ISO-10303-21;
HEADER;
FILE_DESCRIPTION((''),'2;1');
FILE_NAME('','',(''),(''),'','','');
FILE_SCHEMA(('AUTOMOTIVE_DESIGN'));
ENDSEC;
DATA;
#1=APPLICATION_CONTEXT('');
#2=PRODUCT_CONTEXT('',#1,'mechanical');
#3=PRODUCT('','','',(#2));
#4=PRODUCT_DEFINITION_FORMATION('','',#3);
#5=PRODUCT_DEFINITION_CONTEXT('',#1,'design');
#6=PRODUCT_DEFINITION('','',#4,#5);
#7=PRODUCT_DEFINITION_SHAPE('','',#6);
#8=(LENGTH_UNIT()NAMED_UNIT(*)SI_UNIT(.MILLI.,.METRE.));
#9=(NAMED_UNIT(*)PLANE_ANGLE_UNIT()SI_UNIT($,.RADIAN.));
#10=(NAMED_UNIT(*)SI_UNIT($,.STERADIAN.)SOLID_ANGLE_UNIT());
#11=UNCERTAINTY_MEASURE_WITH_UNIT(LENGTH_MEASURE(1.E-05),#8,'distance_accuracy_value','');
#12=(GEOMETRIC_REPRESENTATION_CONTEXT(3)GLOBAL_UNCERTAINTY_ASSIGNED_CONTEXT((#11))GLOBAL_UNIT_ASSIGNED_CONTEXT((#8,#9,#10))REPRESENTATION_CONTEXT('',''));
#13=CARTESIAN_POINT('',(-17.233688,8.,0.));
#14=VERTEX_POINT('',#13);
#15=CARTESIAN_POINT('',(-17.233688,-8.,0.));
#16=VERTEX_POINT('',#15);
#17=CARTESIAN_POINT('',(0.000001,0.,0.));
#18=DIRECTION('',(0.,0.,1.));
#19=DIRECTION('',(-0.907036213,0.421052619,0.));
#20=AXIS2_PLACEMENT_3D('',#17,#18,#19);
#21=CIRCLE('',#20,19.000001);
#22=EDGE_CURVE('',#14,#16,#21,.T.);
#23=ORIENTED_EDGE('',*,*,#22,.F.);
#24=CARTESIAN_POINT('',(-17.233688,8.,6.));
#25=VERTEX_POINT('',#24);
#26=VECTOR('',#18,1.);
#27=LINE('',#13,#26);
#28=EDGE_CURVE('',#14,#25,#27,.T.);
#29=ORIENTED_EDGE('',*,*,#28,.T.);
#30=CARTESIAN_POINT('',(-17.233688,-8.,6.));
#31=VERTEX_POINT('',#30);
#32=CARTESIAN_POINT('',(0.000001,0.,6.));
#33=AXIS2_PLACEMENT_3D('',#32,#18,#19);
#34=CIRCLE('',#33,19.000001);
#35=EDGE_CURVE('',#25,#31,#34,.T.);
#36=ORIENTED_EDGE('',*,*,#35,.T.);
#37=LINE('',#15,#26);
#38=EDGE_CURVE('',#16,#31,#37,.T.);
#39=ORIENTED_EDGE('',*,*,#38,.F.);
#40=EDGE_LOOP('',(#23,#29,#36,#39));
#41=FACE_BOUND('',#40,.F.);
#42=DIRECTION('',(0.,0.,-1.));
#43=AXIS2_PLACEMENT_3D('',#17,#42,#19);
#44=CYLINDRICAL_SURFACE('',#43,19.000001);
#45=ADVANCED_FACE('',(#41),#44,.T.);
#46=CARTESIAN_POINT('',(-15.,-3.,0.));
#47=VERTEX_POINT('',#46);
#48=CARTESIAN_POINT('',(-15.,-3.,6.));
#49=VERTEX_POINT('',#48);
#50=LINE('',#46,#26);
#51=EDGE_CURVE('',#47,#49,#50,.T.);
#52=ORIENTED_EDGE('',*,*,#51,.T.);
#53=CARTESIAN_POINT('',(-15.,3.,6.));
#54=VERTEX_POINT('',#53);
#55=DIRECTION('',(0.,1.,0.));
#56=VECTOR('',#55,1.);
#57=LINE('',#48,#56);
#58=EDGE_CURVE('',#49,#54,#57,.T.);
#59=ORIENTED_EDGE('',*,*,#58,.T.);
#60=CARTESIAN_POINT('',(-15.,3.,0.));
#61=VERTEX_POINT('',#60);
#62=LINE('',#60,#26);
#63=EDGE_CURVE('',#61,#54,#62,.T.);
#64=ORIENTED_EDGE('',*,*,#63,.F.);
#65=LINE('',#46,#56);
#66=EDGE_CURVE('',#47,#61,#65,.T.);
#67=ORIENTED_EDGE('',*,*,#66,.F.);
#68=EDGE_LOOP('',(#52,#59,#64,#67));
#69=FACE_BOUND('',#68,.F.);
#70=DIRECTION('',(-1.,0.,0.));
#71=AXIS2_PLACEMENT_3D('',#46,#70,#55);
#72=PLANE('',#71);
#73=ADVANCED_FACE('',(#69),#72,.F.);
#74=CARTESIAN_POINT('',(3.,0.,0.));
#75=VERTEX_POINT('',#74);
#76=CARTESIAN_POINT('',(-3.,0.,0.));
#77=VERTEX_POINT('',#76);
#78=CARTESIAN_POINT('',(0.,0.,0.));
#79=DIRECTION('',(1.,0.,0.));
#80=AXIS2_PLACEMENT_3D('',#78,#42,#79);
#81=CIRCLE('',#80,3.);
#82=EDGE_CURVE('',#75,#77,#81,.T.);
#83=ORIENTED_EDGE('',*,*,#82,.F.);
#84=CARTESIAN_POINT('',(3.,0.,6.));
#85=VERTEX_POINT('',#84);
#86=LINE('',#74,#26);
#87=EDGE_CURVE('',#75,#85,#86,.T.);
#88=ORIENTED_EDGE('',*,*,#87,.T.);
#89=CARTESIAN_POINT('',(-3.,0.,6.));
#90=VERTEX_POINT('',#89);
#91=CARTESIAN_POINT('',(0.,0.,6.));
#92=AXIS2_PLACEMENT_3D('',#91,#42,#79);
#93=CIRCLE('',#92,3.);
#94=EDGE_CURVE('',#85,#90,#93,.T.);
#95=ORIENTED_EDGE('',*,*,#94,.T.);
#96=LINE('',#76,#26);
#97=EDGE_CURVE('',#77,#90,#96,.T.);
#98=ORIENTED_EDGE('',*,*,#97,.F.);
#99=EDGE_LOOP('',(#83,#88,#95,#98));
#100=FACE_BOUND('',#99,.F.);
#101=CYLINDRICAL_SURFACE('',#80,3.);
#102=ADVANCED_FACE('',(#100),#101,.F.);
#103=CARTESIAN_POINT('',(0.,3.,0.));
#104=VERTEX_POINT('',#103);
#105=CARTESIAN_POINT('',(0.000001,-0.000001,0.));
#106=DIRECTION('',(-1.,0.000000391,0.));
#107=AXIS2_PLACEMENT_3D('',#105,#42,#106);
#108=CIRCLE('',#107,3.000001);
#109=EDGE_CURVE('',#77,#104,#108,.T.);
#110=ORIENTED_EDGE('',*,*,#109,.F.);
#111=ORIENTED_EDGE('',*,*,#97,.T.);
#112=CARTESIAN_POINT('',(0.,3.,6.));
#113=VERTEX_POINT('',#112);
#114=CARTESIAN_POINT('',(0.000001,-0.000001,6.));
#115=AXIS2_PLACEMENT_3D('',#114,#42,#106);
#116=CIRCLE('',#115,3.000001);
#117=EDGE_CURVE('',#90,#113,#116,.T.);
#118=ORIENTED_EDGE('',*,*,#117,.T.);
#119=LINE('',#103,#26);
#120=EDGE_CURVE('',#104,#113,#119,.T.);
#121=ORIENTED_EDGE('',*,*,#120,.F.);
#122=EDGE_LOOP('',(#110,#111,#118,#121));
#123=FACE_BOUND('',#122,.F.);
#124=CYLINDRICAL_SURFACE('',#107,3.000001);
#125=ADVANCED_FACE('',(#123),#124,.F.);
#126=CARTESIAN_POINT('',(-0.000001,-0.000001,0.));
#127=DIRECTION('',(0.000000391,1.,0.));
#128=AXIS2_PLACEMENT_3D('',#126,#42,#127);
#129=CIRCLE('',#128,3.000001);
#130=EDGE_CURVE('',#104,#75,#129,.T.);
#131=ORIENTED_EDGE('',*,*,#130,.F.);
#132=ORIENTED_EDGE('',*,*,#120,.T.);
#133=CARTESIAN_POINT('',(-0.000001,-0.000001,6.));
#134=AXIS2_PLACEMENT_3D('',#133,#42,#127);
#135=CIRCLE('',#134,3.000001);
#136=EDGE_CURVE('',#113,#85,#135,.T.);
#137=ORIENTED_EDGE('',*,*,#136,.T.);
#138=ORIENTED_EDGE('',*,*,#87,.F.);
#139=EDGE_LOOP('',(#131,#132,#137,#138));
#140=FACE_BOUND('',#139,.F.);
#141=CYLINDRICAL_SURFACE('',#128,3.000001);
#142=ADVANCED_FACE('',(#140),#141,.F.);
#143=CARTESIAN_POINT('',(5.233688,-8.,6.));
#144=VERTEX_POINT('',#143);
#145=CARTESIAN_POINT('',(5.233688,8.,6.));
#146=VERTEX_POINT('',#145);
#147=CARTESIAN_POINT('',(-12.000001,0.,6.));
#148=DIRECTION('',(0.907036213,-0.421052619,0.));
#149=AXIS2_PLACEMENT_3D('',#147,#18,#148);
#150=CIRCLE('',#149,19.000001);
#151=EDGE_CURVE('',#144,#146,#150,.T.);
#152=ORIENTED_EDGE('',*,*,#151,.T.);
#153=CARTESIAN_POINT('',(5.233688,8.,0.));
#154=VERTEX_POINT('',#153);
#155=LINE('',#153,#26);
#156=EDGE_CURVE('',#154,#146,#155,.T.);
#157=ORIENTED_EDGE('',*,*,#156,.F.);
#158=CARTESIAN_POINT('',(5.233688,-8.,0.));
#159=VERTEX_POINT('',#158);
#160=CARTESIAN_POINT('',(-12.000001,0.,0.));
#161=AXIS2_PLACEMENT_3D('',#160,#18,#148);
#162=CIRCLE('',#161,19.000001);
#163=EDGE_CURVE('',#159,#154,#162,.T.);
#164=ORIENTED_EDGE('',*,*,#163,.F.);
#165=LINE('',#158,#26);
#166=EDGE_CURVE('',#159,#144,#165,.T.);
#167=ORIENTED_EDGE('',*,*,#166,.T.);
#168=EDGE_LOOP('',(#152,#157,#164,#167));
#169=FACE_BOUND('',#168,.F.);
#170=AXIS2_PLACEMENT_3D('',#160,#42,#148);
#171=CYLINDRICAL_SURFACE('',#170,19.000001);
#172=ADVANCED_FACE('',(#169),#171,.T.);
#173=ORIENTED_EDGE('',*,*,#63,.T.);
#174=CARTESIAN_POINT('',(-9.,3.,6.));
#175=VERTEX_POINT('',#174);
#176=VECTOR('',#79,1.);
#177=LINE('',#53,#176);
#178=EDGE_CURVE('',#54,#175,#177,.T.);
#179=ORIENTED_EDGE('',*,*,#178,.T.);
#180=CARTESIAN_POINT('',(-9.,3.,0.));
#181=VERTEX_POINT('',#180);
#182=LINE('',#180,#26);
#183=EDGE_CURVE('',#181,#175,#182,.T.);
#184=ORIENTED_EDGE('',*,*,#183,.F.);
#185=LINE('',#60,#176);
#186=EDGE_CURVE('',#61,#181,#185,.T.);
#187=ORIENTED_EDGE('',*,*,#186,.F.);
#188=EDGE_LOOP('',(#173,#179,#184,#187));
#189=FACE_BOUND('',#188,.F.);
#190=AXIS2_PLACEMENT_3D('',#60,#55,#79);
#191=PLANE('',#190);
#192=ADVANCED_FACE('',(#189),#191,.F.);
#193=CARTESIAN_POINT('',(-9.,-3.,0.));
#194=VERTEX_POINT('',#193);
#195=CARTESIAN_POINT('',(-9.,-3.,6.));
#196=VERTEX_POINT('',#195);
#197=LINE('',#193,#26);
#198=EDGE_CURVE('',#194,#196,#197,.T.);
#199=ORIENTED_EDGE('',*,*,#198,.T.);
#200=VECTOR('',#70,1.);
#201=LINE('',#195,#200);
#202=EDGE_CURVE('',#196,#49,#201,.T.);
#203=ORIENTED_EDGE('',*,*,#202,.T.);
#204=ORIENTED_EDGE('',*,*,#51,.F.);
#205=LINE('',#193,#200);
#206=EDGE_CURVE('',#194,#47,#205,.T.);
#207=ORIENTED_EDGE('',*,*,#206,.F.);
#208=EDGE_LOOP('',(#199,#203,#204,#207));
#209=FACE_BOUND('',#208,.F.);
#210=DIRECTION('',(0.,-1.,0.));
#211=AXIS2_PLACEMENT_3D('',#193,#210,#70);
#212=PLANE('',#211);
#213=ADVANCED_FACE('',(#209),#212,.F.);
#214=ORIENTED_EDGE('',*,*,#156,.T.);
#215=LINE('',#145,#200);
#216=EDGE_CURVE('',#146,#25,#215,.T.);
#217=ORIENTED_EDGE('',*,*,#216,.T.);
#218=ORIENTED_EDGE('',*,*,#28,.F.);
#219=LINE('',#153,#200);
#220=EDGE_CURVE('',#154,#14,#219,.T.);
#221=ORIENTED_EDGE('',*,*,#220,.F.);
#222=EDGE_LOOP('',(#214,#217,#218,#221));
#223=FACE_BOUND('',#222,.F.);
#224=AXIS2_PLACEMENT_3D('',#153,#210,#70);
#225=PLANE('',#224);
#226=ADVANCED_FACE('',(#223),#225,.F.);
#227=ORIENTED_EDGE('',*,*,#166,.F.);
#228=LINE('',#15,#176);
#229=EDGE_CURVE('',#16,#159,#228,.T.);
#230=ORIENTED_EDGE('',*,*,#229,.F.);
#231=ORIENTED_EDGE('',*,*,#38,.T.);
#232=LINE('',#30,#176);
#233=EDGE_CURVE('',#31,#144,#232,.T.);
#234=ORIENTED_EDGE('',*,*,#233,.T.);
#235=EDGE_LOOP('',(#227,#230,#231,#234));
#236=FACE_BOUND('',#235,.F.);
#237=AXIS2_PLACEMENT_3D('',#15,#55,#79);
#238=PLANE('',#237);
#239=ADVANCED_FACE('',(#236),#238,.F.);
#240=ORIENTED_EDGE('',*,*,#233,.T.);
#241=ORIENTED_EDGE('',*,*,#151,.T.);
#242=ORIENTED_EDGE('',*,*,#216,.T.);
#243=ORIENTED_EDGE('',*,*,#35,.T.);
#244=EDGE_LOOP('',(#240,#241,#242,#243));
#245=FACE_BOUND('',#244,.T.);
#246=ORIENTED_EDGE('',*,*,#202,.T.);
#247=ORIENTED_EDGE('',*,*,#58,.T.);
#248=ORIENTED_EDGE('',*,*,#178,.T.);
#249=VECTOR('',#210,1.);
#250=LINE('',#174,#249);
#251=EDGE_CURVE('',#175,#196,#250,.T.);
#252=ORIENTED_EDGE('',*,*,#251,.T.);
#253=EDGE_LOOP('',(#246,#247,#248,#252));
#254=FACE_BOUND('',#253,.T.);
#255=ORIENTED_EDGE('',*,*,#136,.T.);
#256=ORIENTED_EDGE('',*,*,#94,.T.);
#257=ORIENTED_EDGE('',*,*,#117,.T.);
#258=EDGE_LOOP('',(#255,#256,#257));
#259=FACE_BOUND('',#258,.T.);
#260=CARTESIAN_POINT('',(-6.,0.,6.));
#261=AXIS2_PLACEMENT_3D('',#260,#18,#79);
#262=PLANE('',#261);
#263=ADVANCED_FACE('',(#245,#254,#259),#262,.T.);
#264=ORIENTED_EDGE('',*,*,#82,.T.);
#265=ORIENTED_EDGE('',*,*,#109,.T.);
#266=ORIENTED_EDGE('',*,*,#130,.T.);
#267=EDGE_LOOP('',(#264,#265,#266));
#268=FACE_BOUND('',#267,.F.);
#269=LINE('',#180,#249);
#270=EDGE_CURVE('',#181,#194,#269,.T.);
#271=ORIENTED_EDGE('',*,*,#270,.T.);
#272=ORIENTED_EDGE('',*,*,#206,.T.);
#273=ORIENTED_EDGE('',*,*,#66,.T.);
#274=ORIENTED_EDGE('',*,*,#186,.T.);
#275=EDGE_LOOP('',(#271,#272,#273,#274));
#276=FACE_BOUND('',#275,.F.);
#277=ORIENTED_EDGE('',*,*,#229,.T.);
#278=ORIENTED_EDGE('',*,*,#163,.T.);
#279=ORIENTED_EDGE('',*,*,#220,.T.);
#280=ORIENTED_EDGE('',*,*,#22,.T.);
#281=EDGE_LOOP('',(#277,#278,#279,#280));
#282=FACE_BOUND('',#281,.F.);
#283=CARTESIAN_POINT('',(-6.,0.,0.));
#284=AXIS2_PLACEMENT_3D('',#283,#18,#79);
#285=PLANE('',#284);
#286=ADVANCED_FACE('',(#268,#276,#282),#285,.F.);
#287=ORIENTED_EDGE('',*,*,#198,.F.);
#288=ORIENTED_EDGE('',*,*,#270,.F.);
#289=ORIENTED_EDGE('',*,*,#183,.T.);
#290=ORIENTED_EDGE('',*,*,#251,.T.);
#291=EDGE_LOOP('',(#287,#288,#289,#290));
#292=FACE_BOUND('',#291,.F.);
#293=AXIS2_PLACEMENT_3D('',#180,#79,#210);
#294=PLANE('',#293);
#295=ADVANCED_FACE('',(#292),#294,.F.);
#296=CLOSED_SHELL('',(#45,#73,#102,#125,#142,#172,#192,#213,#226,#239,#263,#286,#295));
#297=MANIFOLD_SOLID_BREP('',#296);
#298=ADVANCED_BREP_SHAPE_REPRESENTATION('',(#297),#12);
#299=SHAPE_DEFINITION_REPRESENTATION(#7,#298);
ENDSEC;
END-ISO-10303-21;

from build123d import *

# Parameters (mm, degrees)
F1_DEPTH = 6


with BuildPart() as f1:
    # F0 (on Top) → F1 (new body)
    with BuildSketch(Plane.XY):
        with BuildLine():
            Line((5.233688, 8), (0, 8))
            Line((0, 8), (-17.233688, 8))
            ThreePointArc((-17.233688, 8), (-19, 0), (-17.233688, -8))
            Line((-17.233688, -8), (5.233688, -8))
            ThreePointArc((5.233688, -8), (7, 0), (5.233688, 8))
        make_face()
        Polygon((-9, 3), (-9, 0), (-9, -3), (-15, -3), (-15, 3), align=None, mode=Mode.SUBTRACT)
        with BuildLine():
            ThreePointArc((0, 3), (2.12132, 2.12132), (3, 0))
            ThreePointArc((3, 0), (0, -3), (-3, 0))
            ThreePointArc((-3, 0), (-2.12132, 2.12132), (0, 3))
        make_face(mode=Mode.SUBTRACT)
    extrude(amount=F1_DEPTH)


solid = f1.part
